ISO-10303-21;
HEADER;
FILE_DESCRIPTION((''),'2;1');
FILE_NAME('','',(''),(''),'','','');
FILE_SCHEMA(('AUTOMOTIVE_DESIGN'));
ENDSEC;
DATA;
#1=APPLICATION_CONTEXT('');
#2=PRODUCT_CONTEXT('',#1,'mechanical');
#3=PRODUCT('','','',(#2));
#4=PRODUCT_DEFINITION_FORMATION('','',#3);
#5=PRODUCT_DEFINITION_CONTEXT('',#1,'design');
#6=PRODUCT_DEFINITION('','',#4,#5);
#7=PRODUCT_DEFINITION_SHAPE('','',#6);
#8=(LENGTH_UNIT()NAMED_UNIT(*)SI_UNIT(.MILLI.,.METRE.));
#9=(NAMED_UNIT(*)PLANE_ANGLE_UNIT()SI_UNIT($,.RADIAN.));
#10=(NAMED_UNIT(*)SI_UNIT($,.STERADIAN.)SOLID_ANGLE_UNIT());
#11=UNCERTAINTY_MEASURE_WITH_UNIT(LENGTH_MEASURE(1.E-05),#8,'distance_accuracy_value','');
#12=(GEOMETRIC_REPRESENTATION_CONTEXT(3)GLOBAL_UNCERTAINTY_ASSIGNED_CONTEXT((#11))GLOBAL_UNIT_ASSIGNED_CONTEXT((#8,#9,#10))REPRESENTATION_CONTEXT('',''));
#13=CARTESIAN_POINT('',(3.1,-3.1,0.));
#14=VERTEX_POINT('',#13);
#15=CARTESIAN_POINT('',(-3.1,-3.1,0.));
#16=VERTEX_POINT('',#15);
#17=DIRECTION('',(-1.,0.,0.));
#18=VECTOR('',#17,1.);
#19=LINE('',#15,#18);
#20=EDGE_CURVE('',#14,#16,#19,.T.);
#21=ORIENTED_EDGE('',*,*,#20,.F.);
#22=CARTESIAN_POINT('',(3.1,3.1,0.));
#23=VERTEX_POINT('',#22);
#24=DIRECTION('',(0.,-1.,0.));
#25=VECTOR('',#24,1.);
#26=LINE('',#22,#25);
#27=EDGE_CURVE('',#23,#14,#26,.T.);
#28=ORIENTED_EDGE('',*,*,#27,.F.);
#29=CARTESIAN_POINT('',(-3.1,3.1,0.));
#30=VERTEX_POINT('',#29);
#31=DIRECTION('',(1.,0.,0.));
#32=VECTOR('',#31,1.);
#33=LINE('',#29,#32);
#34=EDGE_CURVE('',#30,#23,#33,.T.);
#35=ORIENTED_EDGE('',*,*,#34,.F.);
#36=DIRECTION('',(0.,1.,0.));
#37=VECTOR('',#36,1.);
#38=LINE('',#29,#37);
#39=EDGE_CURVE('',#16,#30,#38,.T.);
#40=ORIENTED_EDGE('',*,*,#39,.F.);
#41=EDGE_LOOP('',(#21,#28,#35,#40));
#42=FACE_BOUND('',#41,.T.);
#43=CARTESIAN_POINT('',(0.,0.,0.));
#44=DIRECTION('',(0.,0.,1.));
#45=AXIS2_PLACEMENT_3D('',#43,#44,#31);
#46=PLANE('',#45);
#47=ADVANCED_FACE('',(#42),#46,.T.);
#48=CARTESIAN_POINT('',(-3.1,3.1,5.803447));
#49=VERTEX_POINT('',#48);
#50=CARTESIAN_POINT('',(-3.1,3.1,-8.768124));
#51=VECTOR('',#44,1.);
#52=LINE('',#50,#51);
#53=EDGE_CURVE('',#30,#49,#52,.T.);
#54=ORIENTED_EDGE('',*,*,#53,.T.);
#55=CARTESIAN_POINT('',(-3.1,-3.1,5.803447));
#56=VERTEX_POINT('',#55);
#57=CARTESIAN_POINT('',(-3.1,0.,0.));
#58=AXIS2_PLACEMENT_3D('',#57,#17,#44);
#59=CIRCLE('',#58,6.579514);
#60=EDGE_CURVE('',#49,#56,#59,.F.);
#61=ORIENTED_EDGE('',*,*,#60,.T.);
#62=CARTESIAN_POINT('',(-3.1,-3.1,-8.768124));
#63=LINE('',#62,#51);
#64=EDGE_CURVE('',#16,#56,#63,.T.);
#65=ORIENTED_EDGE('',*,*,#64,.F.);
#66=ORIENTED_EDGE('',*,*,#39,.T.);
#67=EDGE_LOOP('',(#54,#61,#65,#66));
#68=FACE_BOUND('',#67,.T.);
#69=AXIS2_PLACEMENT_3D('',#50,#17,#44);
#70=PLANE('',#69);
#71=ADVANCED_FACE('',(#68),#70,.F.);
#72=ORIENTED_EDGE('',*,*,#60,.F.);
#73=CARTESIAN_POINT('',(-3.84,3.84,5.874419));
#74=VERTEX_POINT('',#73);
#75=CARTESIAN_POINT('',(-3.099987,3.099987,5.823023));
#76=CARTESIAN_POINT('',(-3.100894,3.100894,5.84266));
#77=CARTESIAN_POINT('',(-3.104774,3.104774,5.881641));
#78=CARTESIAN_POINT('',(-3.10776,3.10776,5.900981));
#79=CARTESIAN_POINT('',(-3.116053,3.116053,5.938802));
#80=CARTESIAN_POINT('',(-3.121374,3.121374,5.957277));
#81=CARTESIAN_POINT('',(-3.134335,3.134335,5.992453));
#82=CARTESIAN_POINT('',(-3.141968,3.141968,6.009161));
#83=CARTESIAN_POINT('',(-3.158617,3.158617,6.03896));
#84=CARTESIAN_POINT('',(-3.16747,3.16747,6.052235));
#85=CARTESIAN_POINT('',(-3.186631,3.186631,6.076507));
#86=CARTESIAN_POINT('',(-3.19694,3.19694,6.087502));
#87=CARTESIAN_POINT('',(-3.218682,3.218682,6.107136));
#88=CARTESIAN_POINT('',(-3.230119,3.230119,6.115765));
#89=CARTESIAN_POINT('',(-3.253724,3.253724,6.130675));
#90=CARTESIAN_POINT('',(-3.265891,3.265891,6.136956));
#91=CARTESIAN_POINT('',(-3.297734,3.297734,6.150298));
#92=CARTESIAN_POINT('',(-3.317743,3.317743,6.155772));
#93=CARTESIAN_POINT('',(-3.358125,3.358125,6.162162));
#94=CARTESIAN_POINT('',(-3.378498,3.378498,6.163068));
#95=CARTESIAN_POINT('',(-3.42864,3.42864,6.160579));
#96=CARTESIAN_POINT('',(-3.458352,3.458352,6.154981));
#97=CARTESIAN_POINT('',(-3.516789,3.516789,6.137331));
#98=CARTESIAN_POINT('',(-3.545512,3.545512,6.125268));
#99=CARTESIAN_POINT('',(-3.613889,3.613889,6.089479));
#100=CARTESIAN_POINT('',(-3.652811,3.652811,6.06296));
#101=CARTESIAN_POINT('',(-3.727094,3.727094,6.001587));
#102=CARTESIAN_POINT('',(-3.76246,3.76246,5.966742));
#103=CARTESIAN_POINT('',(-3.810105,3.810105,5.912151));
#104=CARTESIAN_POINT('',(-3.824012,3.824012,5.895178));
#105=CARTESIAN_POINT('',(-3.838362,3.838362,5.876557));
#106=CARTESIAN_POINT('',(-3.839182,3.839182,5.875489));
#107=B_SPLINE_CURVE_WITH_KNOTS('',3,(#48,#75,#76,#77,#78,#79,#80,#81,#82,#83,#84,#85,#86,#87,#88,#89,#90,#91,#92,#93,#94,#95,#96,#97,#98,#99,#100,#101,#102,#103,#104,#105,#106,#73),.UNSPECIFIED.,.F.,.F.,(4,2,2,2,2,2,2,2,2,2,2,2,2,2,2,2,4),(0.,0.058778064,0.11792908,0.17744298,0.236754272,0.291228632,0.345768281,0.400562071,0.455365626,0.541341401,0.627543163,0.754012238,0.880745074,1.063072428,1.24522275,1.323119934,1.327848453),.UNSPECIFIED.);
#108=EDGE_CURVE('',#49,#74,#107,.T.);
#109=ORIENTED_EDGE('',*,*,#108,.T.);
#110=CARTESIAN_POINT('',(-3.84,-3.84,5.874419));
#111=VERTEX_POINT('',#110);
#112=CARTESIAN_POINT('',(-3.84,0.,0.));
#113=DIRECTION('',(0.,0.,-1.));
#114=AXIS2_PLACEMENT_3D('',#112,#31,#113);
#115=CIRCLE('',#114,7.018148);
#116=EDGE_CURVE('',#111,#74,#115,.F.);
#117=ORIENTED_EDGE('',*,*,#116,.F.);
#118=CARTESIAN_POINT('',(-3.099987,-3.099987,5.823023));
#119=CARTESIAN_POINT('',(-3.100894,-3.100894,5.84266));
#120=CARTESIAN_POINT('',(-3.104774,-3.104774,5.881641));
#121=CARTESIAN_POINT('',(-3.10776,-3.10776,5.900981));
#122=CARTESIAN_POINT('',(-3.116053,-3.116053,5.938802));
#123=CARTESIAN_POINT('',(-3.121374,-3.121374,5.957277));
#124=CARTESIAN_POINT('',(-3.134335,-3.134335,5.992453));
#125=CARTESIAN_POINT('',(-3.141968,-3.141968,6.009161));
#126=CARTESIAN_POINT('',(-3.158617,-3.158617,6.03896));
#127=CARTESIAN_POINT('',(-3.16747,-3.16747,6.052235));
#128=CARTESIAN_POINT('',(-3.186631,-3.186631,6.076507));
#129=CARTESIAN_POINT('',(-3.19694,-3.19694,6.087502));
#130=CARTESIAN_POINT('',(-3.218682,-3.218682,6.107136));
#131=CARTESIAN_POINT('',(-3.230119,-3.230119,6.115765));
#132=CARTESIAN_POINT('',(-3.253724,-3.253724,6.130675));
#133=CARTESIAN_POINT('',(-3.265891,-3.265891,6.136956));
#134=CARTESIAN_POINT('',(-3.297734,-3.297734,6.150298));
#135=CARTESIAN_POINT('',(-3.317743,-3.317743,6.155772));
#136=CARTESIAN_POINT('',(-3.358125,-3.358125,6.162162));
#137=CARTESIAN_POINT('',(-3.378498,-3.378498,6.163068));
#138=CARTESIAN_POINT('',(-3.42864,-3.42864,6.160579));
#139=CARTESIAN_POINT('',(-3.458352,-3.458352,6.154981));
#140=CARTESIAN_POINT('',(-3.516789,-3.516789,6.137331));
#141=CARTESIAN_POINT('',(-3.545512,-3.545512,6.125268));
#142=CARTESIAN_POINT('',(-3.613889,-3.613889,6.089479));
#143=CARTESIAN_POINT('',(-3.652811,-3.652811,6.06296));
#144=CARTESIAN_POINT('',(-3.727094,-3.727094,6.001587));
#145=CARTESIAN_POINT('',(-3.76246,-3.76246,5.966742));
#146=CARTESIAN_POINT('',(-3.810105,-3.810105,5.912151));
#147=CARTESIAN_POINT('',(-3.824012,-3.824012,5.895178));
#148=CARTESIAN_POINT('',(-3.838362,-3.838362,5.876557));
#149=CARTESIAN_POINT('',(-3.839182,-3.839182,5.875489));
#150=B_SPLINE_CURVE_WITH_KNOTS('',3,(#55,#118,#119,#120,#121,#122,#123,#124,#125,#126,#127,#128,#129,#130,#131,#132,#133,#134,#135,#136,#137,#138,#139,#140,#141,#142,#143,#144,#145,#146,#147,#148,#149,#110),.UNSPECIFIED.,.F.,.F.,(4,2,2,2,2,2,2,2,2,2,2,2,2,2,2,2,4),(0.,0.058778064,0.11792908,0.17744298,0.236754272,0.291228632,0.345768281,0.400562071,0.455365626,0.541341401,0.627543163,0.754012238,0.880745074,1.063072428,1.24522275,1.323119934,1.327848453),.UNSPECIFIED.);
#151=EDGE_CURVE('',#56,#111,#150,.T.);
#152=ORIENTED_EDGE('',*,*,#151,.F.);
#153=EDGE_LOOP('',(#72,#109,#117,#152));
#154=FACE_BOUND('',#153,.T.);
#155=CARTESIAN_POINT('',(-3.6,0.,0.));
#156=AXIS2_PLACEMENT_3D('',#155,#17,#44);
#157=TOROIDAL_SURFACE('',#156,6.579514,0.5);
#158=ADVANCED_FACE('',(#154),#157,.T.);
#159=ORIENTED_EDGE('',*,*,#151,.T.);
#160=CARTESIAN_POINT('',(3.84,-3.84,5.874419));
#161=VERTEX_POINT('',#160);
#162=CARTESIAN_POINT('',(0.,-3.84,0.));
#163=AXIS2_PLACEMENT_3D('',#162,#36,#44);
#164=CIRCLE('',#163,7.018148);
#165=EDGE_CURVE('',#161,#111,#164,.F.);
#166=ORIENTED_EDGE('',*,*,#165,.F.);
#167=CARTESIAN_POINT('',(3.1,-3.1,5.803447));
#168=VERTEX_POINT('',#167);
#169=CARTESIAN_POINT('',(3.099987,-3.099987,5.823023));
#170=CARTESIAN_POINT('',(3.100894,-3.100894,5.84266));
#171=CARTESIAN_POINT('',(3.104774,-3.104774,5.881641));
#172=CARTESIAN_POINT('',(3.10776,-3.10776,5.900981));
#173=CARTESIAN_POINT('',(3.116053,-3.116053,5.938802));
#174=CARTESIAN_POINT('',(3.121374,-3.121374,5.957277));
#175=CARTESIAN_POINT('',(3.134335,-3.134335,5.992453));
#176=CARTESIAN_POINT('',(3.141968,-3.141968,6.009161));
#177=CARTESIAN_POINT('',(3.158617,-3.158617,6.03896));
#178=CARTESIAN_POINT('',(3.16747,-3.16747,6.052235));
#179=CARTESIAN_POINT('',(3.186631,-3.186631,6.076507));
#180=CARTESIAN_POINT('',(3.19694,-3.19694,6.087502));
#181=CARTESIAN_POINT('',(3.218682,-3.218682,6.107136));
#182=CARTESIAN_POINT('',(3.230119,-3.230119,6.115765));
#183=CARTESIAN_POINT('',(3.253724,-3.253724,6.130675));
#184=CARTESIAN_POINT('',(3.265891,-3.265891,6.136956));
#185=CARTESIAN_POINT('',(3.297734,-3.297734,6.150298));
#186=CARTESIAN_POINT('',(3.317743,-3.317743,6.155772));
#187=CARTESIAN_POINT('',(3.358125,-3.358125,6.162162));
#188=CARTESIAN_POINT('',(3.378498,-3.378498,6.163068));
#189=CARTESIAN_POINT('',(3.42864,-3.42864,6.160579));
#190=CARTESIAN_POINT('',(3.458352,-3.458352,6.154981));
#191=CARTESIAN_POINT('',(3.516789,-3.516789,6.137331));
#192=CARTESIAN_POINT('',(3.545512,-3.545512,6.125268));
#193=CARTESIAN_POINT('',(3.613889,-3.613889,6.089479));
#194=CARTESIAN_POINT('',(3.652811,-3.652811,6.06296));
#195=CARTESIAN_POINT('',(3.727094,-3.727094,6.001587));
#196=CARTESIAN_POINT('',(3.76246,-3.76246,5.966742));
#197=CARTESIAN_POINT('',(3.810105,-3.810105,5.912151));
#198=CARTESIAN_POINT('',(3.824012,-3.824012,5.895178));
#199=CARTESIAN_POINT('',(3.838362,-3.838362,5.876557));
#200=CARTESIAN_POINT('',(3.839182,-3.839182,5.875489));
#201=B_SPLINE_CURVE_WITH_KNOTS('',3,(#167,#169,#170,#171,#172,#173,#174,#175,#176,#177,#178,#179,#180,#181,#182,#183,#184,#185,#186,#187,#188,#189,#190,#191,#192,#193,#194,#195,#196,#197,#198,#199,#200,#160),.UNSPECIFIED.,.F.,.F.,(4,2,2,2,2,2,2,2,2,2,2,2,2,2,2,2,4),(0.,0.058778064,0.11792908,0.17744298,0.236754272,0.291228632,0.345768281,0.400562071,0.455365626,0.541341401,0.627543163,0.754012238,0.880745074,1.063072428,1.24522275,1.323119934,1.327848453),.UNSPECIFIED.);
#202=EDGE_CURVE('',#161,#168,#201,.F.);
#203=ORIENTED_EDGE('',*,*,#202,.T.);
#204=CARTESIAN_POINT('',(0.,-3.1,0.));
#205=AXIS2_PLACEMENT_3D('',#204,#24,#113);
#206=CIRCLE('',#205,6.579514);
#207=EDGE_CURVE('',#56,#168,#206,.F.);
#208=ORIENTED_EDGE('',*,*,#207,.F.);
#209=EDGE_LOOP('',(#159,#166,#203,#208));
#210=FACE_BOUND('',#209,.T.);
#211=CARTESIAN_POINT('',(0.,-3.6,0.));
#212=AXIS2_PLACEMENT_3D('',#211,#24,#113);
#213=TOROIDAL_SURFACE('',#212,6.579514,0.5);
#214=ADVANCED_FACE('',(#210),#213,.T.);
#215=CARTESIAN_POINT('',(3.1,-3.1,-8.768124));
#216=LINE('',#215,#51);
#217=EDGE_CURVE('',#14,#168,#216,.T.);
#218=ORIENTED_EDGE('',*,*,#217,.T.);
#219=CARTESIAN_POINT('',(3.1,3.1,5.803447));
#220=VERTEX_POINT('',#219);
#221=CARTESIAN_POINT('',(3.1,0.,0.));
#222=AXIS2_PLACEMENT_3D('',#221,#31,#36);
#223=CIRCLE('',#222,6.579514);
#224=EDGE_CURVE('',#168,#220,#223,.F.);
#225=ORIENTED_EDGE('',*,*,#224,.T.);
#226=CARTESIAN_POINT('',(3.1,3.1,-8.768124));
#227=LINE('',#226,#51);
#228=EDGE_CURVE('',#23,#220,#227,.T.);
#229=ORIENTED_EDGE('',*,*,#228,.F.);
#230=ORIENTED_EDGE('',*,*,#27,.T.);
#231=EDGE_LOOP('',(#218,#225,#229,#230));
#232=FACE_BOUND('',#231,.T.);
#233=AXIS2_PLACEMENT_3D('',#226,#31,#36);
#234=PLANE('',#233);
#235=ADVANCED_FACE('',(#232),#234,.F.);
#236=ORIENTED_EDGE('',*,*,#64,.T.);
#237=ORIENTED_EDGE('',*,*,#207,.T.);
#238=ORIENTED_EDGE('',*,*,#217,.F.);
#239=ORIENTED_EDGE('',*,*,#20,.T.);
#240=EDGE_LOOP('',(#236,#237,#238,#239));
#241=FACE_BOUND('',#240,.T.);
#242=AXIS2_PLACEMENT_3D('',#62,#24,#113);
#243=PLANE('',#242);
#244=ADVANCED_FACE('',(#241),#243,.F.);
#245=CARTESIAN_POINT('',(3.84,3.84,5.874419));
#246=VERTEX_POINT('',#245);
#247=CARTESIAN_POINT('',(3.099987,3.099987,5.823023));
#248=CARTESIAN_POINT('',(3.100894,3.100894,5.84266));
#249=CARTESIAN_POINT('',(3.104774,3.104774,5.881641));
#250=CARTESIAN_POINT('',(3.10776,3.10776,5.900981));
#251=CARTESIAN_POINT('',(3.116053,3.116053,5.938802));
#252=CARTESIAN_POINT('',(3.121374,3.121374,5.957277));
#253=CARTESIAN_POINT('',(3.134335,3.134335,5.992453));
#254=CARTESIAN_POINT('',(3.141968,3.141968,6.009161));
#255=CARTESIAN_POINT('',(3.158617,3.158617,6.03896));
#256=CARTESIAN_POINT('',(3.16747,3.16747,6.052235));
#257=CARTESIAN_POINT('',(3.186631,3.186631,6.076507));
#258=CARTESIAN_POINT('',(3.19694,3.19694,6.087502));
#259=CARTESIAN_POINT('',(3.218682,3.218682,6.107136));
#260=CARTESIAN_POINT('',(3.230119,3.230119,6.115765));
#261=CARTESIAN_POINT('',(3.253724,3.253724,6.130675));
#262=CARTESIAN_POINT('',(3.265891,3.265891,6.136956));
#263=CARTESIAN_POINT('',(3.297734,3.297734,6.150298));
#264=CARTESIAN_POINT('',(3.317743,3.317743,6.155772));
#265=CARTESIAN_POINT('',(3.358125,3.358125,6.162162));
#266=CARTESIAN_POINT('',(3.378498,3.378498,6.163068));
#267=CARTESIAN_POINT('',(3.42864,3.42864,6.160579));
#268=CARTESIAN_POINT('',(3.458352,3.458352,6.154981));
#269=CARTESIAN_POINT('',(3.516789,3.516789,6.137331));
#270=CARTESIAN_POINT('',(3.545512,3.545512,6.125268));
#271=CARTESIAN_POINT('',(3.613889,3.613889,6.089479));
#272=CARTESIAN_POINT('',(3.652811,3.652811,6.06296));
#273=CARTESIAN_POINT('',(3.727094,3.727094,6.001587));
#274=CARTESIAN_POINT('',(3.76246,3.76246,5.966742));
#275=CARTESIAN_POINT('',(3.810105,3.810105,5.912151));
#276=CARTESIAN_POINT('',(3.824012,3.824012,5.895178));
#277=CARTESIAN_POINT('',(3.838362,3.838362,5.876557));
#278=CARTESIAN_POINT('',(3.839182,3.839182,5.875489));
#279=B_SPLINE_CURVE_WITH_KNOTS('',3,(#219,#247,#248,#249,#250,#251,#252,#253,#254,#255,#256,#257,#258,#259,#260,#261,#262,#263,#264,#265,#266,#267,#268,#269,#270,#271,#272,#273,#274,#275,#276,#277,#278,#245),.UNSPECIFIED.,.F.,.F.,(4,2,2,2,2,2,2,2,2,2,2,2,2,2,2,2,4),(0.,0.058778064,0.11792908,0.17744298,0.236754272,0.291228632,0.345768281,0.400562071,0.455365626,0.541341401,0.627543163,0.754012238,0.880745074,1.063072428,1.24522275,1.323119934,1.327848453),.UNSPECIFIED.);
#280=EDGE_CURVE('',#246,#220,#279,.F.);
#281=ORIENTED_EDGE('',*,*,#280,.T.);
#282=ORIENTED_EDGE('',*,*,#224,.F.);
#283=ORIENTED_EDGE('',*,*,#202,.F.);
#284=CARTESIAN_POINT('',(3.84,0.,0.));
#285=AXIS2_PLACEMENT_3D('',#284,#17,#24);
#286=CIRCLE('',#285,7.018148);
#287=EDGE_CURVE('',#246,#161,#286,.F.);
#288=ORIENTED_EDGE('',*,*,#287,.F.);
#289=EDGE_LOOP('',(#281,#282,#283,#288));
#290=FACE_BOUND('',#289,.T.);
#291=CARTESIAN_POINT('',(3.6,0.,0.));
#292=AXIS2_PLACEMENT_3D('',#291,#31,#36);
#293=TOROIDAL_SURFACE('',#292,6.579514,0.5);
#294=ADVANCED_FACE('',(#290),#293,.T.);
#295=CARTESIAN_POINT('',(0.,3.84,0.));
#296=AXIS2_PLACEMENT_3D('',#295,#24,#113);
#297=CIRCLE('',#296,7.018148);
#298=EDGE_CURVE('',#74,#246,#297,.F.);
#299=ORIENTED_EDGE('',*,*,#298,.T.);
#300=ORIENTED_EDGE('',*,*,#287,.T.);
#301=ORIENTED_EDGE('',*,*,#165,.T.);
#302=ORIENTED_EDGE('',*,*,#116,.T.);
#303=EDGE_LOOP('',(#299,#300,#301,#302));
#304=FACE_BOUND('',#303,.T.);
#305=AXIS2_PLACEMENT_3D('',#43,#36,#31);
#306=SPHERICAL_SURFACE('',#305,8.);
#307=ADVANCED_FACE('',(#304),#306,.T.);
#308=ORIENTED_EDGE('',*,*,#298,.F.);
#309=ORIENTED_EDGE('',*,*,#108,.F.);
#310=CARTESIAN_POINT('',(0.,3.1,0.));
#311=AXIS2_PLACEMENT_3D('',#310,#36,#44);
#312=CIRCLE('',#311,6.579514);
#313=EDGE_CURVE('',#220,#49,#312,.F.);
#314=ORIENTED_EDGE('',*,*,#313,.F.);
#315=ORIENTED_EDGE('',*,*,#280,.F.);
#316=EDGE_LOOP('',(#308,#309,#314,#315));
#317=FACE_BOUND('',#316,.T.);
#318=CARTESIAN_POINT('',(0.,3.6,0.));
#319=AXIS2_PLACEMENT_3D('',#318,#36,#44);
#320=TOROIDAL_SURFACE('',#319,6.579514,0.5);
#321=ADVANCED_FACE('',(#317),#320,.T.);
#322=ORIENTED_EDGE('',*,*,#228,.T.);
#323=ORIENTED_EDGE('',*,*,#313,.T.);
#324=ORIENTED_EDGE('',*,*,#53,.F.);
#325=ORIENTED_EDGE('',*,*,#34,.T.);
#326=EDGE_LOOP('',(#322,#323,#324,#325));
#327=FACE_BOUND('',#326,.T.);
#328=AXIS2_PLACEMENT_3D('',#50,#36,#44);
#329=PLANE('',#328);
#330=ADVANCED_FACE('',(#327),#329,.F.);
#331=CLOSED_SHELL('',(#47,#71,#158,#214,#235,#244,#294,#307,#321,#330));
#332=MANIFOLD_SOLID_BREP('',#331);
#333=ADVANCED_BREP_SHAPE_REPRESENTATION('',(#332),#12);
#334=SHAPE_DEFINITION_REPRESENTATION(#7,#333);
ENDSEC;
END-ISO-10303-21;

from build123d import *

# Parameters (mm, degrees)
SKETCH_2_W          = 6.2
SKETCH_2_H          = 6.2
CUT_EXTRUDE_1_DEPTH = 8
FILLET_1_R          = 0.5


with BuildPart() as part:
    # 스케치1 → 회전2 (revolve)
    with BuildSketch(Plane.XY):
        with BuildLine():
            Line((0, 8), (0, -8))
            ThreePointArc((0, -8), (8, 0), (0, 8))
        make_face()
    revolve(axis=Axis((0, 8, 0), (0, -1, 0)))

    # 스케치2 → 컷-돌출1 (cut)
    with BuildSketch(Plane.XY.offset(8)):
        Rectangle(SKETCH_2_W, SKETCH_2_H)
    extrude(amount=-CUT_EXTRUDE_1_DEPTH, mode=Mode.SUBTRACT)

    # 필렛1
    fillet_1_edges = [part.edges().sort_by_distance(p)[0] for p in [
        (0, -3.1, 7.374957627),
        (3.1, 0, 7.374957627),
        (0, 3.1, 7.374957627),
        (-3.1, 0, 7.374957627),
    ]]
    fillet(fillet_1_edges, radius=FILLET_1_R)


solid = part.part
